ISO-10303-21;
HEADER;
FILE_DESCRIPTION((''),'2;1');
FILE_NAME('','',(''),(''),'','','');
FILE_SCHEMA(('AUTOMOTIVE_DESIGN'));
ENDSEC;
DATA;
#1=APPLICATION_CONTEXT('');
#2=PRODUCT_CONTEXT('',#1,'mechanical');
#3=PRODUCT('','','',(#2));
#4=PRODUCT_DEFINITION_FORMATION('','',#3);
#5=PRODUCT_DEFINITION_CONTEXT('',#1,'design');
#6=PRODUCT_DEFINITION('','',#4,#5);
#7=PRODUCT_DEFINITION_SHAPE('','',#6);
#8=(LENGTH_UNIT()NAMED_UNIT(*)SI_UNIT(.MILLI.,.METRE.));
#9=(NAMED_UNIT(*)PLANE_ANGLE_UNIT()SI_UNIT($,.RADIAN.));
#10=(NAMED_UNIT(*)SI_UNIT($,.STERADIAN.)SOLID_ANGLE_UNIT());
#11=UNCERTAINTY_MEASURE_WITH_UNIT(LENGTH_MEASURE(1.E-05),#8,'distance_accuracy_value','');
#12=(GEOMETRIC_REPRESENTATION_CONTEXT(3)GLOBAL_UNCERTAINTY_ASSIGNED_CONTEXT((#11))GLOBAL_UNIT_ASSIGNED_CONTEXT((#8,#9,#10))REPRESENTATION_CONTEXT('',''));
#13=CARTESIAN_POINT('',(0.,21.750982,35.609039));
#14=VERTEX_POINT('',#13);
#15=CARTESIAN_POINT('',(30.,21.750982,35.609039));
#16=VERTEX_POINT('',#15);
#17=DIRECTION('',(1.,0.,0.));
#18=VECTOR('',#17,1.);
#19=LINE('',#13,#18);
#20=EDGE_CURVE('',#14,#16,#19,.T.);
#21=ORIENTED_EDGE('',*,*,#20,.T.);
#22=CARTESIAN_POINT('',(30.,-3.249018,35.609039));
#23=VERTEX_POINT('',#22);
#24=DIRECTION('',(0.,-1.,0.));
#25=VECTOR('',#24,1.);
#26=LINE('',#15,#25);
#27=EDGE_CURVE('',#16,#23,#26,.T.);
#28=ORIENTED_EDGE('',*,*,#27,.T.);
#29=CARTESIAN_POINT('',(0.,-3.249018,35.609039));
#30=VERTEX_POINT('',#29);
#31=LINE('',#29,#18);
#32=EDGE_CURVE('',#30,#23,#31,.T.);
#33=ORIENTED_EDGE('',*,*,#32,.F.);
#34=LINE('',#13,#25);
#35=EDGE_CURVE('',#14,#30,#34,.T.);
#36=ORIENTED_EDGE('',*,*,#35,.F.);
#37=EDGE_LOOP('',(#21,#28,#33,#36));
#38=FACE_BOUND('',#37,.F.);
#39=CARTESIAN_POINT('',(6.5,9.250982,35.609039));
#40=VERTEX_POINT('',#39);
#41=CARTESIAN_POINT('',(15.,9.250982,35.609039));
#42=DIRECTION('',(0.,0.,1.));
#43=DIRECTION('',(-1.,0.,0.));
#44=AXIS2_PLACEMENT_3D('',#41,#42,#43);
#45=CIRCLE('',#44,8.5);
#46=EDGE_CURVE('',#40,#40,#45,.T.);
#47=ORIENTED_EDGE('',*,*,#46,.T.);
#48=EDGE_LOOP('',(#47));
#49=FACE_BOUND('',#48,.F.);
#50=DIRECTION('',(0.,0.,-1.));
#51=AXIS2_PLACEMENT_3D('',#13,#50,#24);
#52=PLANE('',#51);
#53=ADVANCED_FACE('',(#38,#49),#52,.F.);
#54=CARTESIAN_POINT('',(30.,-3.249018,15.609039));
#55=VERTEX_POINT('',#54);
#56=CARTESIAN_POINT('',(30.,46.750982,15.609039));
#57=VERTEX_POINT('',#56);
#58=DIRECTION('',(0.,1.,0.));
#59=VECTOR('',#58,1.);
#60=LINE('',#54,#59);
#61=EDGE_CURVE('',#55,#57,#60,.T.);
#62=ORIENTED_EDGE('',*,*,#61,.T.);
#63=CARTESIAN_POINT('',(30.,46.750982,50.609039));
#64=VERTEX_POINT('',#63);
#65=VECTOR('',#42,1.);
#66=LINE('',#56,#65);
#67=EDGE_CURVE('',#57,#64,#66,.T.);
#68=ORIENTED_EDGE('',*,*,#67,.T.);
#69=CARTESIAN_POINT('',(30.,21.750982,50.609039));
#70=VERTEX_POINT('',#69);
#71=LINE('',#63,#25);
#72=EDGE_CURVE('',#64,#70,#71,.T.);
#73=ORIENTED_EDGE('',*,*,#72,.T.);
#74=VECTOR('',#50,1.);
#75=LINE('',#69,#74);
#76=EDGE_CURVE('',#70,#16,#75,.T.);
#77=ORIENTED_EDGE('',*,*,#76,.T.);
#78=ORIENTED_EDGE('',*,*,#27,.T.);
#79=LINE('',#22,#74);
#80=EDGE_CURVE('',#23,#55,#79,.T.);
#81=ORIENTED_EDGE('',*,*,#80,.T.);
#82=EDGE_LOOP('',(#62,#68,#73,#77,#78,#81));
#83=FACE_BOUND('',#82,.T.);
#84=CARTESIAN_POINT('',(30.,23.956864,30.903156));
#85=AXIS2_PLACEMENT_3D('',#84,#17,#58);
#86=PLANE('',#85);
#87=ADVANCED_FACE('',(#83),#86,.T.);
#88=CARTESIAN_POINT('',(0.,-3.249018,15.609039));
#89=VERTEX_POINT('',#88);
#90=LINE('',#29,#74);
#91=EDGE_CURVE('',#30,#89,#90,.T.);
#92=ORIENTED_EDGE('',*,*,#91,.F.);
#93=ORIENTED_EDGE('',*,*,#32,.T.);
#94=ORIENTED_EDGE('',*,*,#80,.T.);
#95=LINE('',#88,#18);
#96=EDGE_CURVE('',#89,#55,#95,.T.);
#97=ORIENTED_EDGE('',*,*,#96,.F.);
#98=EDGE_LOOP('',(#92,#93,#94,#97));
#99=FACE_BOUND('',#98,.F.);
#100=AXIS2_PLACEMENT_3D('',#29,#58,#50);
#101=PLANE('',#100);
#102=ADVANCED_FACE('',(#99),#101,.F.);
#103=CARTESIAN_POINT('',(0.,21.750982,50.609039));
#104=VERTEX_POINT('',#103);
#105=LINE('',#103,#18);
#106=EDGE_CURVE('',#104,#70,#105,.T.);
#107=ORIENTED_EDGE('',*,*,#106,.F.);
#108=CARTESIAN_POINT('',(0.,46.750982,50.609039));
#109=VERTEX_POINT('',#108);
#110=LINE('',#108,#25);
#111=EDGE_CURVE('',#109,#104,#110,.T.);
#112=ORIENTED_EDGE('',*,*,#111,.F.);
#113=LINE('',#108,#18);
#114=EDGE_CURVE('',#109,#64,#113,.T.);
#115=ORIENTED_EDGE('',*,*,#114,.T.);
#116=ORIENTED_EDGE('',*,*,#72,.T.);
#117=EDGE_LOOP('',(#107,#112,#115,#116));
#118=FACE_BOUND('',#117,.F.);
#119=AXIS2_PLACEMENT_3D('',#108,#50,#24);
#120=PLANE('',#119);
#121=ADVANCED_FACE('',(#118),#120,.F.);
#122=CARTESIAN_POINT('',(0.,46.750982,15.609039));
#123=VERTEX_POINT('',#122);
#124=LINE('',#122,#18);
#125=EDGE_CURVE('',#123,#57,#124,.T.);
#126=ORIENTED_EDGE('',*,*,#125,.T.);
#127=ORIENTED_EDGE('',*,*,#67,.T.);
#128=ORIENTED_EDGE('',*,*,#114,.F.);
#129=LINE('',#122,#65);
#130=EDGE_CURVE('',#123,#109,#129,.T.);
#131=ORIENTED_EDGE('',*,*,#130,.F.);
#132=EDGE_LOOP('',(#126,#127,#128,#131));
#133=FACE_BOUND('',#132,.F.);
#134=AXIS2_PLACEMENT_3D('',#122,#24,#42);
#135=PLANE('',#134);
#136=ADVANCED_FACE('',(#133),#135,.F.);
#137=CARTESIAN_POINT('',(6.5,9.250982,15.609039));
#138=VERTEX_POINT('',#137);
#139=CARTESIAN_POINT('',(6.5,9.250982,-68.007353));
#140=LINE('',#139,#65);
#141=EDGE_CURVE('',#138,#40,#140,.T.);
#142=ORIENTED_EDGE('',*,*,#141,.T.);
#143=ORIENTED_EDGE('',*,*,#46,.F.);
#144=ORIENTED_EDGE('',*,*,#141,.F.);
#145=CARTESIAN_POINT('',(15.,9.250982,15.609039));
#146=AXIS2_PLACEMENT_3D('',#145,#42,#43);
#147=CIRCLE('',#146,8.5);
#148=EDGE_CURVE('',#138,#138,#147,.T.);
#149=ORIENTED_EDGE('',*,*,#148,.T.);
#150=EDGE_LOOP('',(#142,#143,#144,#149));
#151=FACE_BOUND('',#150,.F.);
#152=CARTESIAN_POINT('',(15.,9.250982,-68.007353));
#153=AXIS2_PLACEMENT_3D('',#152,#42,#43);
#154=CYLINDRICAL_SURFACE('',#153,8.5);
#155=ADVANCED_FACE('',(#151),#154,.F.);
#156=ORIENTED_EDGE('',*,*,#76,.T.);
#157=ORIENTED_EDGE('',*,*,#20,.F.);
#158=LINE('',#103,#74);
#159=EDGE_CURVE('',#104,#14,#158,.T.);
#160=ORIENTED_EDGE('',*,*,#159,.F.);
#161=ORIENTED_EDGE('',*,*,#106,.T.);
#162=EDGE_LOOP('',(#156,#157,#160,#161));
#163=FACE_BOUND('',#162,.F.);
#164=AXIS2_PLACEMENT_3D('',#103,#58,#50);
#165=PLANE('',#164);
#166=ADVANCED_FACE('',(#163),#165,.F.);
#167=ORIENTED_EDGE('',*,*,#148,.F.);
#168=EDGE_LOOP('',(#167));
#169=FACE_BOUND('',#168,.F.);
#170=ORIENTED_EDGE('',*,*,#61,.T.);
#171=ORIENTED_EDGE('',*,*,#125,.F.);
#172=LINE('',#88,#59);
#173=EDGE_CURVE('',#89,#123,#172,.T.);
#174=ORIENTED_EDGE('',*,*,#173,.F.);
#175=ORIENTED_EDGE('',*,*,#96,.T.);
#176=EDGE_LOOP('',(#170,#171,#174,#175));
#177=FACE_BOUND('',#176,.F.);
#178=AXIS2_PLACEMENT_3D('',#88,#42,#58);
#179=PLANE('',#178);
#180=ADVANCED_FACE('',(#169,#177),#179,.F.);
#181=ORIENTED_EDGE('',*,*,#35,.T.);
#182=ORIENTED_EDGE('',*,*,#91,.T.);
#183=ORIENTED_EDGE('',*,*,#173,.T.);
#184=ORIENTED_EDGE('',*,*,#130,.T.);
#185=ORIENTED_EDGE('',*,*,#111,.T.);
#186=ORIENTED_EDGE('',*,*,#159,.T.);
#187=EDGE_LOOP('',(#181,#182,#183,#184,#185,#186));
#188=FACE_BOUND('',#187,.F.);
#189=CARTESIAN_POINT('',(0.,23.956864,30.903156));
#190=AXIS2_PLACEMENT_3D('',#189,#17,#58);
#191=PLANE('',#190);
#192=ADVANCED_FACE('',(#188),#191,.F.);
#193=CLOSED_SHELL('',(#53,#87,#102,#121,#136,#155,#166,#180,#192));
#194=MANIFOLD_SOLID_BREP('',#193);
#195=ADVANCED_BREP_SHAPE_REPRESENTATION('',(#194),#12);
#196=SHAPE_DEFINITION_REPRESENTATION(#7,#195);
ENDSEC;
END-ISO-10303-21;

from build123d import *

# Parameters (mm, degrees)
F1_DEPTH = 30
F3_D     = 17


with BuildPart() as f1:
    # F0 (on Right) → F1 (new body)
    with BuildSketch(Plane.YZ):
        Polygon((46.7509815469, 15.6090386026), (46.7509815469, 50.6090386026), (21.7509815469, 50.6090386026), (21.7509815469, 35.6090386026), (-3.2490184531, 35.6090386026), (-3.2490184531, 15.6090386026), align=None)
    extrude(amount=F1_DEPTH)

    # F3 (through all)
    with Locations(Plane(origin=(0, 0, 0), x_dir=(1, 0, 0), z_dir=(0, 0, -1))):
        with Locations((15, -9.2509815469)):
            Hole(F3_D / 2)


solid = f1.part
